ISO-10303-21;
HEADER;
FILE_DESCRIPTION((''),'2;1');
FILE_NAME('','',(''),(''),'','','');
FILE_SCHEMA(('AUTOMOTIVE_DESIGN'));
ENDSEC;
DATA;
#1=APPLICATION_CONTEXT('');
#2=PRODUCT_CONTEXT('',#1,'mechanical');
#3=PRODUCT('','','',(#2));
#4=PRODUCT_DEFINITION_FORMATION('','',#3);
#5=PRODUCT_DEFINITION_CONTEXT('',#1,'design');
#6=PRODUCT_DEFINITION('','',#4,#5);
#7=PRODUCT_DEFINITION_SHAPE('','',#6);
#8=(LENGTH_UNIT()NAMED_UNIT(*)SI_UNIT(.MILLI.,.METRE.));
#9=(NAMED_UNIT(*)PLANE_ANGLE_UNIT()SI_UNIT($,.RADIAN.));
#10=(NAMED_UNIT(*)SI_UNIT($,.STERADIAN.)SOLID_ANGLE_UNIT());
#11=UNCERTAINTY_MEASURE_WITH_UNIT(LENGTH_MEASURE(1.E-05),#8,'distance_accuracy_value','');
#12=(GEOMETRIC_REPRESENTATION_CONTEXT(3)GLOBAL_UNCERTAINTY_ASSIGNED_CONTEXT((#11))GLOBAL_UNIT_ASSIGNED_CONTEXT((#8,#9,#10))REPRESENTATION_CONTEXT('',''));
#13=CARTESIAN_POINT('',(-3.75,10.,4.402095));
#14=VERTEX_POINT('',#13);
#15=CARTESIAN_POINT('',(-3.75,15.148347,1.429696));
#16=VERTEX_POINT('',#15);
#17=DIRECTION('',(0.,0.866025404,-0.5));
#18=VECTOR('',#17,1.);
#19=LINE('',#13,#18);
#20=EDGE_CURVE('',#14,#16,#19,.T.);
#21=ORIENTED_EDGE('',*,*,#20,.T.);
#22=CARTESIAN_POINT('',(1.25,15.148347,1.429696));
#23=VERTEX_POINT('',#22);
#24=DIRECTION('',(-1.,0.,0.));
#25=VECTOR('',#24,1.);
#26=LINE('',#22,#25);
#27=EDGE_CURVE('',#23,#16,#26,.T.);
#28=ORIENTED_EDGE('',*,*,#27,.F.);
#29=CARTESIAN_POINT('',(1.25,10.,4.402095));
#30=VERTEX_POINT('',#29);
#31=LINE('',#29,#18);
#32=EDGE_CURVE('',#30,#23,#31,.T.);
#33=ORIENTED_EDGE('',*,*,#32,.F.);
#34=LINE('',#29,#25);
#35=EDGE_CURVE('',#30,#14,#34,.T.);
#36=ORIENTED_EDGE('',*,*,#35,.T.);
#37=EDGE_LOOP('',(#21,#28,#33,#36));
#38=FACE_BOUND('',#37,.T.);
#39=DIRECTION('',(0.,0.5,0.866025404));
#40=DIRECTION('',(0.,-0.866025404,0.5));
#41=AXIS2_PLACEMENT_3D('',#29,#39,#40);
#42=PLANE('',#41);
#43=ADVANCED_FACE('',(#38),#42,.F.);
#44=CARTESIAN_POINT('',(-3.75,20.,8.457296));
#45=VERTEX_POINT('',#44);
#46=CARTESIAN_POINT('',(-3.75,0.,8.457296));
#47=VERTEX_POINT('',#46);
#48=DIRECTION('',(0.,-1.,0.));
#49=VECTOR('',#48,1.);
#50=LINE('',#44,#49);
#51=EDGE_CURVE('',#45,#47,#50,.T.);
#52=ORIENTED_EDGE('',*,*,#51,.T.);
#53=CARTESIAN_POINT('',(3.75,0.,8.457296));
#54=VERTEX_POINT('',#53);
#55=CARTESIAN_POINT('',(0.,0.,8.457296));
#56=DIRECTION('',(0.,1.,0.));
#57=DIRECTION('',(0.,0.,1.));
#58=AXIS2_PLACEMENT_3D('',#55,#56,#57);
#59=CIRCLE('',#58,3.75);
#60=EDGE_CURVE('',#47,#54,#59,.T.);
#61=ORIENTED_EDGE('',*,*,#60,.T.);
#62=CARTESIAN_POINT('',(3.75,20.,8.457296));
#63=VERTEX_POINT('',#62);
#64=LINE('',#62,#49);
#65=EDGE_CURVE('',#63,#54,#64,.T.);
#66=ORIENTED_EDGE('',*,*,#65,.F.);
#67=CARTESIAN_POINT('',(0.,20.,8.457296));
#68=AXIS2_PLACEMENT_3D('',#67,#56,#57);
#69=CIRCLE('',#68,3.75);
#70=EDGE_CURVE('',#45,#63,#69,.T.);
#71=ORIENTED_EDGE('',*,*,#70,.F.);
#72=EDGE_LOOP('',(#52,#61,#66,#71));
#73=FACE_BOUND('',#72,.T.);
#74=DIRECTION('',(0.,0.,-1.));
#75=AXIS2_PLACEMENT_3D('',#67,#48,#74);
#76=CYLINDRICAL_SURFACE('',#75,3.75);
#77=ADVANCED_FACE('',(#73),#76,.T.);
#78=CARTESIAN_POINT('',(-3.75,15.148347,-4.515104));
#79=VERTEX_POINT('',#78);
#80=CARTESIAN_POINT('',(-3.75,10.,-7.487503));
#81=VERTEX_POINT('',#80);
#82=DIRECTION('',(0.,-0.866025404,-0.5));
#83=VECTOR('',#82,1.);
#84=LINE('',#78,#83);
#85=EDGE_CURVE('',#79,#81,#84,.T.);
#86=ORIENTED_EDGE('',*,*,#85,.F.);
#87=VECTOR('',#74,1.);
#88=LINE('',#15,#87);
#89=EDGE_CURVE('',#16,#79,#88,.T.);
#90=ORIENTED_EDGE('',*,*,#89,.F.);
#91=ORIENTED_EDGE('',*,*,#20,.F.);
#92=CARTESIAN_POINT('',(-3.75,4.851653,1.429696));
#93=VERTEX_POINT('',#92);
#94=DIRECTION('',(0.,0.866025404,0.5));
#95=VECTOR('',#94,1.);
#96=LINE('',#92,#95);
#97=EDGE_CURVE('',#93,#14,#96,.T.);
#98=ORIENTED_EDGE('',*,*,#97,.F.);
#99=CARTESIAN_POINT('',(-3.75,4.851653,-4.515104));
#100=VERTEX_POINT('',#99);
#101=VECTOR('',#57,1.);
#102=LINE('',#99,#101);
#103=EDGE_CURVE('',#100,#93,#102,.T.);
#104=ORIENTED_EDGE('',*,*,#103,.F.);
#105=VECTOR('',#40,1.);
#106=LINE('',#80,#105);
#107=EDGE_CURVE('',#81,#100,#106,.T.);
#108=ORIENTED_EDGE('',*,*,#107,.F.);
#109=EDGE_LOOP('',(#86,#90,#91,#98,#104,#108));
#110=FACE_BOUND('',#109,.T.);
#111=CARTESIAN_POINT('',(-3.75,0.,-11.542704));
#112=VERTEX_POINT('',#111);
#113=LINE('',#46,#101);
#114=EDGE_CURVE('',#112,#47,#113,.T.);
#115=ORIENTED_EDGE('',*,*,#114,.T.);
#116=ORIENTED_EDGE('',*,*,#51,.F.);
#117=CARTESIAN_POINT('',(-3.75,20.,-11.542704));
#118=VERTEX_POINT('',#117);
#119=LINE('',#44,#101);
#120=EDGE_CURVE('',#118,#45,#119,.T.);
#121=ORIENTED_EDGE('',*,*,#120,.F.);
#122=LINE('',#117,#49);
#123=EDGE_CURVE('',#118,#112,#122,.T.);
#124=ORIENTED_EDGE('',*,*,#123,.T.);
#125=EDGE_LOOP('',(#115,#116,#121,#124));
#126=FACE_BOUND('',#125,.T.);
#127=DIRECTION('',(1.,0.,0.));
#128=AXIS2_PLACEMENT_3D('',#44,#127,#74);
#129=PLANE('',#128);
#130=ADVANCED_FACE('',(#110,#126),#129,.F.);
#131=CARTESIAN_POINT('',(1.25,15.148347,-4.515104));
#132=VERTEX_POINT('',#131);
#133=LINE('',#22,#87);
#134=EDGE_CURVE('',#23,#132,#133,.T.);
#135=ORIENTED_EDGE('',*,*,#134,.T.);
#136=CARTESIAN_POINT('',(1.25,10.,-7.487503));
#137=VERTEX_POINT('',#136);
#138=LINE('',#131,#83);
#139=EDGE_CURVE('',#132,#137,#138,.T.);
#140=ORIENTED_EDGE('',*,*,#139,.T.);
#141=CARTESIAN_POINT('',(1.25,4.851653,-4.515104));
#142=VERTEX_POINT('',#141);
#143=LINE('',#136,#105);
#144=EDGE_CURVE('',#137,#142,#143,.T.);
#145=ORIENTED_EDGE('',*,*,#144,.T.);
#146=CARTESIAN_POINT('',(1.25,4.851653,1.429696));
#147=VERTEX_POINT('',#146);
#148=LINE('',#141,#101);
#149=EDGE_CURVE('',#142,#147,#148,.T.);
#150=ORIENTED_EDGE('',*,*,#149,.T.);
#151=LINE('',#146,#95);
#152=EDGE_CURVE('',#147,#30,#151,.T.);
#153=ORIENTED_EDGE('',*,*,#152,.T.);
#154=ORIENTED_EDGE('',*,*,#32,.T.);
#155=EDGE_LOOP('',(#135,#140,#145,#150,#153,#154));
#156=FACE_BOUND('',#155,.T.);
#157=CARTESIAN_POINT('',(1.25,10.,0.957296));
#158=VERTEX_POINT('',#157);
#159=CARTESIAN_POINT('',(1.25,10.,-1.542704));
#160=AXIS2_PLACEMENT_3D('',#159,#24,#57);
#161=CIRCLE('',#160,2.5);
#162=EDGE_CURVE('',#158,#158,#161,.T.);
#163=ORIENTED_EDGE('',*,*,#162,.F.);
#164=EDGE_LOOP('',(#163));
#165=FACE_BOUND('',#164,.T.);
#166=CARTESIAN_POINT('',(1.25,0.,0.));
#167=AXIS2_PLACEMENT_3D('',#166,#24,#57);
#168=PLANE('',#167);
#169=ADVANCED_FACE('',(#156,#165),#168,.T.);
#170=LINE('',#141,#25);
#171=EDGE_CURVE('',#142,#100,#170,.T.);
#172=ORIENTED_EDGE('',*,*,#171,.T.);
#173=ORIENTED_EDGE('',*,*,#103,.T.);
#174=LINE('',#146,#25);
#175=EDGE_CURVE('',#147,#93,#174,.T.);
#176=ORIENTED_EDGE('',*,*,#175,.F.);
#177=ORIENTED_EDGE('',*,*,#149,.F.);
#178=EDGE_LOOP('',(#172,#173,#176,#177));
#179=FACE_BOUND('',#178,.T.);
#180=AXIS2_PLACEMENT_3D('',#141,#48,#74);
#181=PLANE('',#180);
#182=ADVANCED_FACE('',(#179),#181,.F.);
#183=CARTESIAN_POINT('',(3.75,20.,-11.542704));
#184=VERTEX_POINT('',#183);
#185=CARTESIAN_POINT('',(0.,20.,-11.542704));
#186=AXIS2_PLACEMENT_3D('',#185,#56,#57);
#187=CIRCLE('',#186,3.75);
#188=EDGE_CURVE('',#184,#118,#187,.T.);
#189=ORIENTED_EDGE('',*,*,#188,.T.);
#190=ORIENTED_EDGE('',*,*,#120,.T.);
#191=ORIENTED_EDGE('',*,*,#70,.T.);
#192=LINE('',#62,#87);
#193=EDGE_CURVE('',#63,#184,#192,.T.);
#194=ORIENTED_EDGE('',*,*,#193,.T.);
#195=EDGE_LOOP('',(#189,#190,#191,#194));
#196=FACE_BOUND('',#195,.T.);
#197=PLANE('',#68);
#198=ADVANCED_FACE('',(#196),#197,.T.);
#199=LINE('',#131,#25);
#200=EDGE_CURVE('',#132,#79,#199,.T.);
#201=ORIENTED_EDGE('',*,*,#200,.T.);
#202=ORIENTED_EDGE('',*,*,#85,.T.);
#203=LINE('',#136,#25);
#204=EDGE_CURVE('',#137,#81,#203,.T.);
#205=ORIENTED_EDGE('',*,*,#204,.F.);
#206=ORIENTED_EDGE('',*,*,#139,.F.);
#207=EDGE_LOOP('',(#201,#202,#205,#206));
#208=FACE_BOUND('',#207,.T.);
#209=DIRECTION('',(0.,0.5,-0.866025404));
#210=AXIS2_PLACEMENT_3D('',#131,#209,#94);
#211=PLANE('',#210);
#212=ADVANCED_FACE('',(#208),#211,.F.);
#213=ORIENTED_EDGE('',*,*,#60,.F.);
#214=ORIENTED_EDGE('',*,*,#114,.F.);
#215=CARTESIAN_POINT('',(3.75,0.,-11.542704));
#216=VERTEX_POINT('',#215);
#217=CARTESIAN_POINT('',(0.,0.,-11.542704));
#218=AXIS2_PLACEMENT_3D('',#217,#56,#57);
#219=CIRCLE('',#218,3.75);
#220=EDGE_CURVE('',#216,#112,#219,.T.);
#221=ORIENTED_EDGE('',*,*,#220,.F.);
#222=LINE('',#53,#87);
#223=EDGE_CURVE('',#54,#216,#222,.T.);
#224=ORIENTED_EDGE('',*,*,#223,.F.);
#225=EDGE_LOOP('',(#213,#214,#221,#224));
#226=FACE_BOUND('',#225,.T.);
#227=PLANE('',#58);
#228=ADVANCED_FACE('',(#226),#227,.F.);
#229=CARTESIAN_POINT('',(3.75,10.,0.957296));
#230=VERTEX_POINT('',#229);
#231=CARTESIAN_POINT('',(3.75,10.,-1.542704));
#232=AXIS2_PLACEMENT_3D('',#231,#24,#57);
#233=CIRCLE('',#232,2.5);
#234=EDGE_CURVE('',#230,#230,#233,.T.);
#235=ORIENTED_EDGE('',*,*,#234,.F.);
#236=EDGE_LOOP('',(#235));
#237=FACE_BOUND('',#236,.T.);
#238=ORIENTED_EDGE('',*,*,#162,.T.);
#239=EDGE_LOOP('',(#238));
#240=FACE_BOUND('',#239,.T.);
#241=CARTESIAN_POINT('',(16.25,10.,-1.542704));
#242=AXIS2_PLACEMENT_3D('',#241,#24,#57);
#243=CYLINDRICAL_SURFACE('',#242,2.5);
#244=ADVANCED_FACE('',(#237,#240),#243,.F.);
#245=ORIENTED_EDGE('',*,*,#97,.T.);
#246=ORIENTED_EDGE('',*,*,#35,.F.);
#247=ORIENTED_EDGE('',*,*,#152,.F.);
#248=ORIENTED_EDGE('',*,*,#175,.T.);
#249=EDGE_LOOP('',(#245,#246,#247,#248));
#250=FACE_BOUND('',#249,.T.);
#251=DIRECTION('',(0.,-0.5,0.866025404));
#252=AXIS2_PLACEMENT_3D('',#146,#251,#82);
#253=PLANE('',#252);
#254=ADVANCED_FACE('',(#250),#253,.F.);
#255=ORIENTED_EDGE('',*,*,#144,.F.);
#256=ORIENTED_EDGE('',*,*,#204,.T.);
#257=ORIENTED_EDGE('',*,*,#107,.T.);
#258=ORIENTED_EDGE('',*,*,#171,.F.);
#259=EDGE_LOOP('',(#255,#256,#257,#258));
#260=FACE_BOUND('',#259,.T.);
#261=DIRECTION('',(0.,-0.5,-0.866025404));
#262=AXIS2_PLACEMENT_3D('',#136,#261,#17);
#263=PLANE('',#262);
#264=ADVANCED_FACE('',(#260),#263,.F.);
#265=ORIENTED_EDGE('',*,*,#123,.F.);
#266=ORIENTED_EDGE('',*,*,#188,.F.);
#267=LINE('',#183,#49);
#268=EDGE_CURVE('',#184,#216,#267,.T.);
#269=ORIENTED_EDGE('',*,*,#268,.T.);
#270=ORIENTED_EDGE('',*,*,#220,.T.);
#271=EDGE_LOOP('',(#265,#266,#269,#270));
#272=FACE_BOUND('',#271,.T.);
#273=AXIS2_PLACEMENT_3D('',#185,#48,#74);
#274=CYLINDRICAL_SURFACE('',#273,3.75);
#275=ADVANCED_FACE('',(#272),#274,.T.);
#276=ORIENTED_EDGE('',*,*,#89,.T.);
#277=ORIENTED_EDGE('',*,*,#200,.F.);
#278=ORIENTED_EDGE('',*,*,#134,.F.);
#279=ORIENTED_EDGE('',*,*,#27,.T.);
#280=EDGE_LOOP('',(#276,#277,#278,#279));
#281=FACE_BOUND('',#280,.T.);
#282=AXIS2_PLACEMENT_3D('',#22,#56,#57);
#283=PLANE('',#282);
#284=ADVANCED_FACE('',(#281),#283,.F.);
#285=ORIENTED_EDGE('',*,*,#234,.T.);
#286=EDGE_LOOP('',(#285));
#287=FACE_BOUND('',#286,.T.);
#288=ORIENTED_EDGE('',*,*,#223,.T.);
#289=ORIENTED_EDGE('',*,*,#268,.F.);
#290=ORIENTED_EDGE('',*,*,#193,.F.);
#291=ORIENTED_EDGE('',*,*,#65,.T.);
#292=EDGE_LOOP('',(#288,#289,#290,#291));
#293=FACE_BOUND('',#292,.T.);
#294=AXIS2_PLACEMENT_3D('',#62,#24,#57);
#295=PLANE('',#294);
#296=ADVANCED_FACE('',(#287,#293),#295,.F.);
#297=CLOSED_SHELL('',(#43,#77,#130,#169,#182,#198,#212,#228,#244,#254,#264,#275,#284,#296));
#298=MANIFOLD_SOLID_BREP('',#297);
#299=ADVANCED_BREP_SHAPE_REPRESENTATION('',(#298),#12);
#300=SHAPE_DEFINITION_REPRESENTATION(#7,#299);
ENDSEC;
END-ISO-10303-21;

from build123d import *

# Parameters (mm, degrees)
BOSS_EXTRUDE1_DEPTH = 20
SKETCH2_R           = 2.5
CUT_EXTRUDE1_DEPTH  = 20
SKETCH2_4_R         = 2.5
CUT_EXTRUDE2_DEPTH  = 5


with BuildPart() as part:
    # Sketch1 → Boss-Extrude1 (new body)
    with BuildSketch(Plane(origin=(0, 0, 0), x_dir=(1, 0, 0), z_dir=(0, 1, 0))):
        with BuildLine():
            Line((-3.75, -8.45729612), (-3.75, 11.54270388))
            ThreePointArc((-3.75, 11.54270388), (0, 15.29270388), (3.75, 11.54270388))
            Line((3.75, 11.54270388), (3.75, -8.45729612))
            ThreePointArc((3.75, -8.45729612), (0, -12.20729612), (-3.75, -8.45729612))
        make_face()
    extrude(amount=BOSS_EXTRUDE1_DEPTH)

    # Sketch2 → Cut-Extrude1 (cut)
    with BuildSketch(Plane.ZY.offset(3.75)):
        with Locations((-1.54270388, 10)):
            Circle(SKETCH2_R)
    extrude(amount=-CUT_EXTRUDE1_DEPTH, mode=Mode.SUBTRACT)

    # Sketch2<4> → Cut-Extrude2 (cut)
    with BuildSketch(Plane.ZY.offset(3.75)):
        Polygon((4.402095487, 10), (1.429695804, 15.148347272), (-4.515103563, 15.148347272), (-7.487503247, 10), (-4.515103563, 4.851652728), (1.429695804, 4.851652728), align=None)
        with Locations((-1.54270388, 10)):
            Circle(SKETCH2_4_R, mode=Mode.SUBTRACT)
    extrude(amount=-CUT_EXTRUDE2_DEPTH, mode=Mode.SUBTRACT)


solid = part.part
